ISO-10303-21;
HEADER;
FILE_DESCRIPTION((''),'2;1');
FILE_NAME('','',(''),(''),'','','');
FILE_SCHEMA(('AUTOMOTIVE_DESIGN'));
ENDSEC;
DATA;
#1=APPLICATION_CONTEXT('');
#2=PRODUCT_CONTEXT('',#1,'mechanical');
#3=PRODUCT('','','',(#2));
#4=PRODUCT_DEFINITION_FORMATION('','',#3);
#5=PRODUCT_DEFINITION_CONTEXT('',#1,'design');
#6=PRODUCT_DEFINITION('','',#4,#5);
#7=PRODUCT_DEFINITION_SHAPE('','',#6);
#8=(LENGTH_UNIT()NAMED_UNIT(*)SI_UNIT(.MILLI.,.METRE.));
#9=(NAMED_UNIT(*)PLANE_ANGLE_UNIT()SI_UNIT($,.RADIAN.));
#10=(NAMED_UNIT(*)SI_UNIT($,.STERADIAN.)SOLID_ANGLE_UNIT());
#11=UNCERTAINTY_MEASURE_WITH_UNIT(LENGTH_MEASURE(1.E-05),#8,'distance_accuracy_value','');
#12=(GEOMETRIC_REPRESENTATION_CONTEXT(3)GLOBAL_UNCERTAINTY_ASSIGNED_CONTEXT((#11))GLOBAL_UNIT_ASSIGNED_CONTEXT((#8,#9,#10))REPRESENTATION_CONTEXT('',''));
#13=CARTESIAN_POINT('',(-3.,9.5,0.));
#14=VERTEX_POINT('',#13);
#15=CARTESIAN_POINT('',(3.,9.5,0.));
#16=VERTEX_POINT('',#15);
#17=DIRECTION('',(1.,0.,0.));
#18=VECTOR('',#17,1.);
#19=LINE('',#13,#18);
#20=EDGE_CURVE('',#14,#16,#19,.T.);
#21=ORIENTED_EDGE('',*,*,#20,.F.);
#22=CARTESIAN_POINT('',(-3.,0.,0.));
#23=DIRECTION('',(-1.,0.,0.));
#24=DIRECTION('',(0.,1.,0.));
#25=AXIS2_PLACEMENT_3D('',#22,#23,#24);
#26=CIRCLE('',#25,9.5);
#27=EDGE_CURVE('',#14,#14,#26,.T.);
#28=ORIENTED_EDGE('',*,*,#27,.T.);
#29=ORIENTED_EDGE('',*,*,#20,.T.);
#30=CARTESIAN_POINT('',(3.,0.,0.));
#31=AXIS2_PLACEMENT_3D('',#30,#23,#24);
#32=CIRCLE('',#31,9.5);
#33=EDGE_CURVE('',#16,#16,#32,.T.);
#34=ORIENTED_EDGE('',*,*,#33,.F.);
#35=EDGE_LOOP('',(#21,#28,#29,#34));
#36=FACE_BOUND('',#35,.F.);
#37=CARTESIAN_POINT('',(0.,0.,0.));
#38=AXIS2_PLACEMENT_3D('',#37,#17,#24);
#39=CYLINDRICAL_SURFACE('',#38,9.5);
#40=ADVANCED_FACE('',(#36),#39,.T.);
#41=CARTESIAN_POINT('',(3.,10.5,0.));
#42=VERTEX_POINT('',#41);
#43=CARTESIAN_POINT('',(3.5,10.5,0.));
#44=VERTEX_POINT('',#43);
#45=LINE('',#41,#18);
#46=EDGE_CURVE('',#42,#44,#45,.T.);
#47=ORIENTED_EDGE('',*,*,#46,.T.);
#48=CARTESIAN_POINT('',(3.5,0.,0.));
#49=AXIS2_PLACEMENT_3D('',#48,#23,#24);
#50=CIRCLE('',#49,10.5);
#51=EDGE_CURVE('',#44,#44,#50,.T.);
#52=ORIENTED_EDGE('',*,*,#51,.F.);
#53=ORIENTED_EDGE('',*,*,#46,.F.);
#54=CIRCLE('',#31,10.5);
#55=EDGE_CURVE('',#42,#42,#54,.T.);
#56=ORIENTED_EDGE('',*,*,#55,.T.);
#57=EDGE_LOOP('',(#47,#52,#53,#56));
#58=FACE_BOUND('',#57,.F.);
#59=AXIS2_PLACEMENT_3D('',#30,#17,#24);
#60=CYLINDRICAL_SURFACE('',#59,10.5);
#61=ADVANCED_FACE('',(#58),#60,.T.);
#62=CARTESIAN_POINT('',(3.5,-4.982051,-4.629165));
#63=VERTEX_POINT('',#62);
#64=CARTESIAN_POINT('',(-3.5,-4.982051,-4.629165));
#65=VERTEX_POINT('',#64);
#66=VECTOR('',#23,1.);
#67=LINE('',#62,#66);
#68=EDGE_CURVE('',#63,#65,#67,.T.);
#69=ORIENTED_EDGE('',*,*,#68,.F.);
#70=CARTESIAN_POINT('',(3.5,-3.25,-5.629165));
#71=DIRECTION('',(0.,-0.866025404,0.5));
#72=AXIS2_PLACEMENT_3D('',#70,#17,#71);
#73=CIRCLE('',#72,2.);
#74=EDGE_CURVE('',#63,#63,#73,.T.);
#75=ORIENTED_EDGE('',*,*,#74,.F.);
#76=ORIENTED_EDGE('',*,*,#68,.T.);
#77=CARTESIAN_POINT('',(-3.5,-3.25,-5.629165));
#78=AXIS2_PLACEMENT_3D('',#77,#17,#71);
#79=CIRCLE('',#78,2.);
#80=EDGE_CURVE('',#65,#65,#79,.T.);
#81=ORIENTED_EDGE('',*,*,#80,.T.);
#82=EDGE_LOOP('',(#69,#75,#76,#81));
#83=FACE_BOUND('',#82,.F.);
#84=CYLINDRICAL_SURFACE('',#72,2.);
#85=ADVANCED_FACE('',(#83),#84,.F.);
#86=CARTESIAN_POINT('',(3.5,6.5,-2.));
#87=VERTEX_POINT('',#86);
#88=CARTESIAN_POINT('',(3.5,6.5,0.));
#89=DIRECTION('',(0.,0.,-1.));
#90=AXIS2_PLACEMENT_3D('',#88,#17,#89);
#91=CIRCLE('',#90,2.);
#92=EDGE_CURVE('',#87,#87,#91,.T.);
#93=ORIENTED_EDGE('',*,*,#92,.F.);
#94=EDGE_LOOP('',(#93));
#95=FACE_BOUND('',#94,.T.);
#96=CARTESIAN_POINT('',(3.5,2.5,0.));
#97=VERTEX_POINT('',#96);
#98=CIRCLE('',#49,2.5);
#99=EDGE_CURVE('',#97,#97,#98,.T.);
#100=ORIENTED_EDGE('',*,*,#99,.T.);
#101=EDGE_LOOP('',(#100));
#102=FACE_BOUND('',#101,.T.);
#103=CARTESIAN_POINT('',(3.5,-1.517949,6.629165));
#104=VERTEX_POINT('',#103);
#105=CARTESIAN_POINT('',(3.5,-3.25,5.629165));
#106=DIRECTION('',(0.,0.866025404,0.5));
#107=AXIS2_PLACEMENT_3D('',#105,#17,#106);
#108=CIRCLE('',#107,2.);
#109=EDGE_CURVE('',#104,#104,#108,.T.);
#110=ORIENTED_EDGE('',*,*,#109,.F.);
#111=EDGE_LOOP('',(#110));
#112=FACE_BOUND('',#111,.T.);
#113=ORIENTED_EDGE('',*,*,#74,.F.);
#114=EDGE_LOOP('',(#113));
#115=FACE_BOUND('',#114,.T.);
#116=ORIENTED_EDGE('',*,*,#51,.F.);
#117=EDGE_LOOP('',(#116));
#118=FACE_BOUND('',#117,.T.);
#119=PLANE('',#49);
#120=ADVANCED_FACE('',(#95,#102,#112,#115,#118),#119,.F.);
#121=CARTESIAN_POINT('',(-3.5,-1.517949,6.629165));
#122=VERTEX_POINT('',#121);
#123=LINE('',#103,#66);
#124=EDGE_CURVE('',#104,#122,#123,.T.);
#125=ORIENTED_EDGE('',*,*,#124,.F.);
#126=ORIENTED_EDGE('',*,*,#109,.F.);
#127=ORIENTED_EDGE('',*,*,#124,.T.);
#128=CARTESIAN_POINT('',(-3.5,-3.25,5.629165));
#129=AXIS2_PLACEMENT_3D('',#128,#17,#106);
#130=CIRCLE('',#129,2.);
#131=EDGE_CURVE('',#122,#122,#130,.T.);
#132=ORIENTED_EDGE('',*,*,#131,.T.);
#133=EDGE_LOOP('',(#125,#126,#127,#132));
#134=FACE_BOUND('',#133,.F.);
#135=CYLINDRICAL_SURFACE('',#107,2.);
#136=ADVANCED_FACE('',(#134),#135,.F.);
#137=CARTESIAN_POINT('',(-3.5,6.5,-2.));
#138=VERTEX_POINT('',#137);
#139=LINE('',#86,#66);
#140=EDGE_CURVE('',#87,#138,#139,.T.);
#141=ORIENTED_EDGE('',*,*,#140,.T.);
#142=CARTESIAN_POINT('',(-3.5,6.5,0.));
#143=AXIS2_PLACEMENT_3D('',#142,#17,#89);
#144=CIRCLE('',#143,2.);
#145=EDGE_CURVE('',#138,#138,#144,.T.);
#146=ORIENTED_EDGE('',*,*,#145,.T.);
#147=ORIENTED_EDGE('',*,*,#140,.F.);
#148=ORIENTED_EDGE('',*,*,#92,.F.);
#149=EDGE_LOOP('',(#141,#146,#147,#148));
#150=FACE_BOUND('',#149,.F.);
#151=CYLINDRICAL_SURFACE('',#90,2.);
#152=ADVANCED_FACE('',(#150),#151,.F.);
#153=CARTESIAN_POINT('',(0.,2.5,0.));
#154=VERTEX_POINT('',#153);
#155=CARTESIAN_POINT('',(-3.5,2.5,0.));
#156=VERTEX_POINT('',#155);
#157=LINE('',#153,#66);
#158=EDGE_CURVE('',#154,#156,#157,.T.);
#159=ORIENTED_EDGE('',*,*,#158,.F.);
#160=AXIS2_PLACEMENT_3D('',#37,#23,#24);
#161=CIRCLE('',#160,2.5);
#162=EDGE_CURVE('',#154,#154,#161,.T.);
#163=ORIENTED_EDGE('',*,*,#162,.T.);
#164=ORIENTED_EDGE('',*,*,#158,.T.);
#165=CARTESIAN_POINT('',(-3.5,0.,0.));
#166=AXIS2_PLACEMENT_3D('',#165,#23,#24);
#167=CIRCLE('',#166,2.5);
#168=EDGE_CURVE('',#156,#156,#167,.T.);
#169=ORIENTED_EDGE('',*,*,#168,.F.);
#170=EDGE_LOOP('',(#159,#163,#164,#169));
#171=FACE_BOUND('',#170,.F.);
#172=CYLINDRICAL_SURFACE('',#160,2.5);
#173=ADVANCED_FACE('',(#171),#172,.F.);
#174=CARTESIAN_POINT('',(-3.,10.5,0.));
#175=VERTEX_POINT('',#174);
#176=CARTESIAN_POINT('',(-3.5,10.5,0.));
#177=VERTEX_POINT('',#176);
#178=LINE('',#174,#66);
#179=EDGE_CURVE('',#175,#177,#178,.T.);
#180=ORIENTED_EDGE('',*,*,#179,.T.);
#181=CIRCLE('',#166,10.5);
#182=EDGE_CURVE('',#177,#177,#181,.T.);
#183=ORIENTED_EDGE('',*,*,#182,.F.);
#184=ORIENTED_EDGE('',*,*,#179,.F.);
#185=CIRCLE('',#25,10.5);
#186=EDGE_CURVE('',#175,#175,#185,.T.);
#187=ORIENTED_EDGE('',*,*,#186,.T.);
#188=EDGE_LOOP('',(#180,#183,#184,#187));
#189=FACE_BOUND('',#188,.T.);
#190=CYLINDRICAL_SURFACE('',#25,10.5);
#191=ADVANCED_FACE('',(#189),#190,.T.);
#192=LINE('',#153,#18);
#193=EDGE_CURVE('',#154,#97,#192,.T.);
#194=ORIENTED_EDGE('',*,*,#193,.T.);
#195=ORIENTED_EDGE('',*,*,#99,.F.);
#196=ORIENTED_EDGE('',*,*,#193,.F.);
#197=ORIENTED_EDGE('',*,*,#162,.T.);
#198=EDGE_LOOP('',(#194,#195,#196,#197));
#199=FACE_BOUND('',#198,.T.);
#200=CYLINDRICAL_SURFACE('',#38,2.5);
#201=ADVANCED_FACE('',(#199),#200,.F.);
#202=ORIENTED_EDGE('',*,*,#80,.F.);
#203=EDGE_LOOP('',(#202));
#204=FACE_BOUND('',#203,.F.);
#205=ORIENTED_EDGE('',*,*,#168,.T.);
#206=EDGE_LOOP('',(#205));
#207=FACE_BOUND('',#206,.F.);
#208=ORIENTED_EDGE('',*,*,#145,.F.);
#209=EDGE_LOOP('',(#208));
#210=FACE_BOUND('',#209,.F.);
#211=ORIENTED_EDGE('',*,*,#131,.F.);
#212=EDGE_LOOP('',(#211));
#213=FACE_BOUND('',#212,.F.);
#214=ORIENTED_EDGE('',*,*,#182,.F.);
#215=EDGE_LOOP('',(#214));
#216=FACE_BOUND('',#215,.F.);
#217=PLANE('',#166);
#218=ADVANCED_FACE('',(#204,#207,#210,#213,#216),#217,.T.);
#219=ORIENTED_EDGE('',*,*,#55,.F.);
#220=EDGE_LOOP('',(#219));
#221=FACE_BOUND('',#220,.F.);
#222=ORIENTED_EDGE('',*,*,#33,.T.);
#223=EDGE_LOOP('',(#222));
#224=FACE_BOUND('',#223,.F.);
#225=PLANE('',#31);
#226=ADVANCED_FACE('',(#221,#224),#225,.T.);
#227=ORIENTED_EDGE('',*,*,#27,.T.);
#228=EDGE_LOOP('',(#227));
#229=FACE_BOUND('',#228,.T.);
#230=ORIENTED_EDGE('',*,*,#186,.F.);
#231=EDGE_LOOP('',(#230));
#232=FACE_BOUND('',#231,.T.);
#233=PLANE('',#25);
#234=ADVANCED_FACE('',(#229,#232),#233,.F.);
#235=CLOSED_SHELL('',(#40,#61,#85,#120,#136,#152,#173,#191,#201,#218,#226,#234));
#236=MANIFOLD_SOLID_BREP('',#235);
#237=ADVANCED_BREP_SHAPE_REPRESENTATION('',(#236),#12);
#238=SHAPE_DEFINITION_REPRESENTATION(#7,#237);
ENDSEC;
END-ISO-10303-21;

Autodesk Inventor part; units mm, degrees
ref_plane "YZ Plane" through (0, 0, 0) normal (1, 0, 0) x (0, 1, 0)
ref_plane "XZ Plane" through (0, 0, 0) normal (0, 1, 0) x (-1, 0, 0)
ref_plane "XY Plane" through (0, 0, 0) normal (0, 0, 1) x (1, 0, 0)
sketch "Sketch1" plane through (0, 0, 0) normal (0, 0, 1) x (1, 0, 0)
  line L0 (0, 0) -> (0, 9.5) construction
  line L1 (0, 9.5) -> (3, 9.5)
  line L2 (3, 9.5) -> (3, 10.5)
  line L3 (3, 10.5) -> (3.5, 10.5)
  line L4 (3.5, 10.5) -> (3.5, 0) construction
  line L5 (3.5, 0) -> (0, 0) construction
  line L6 (0, 2.5) -> (3.5, 2.5)
  line L7 (3.5, 2.5) -> (3.5, 10.5)
  line L8 (0, 9.5) -> (-3, 9.5)
  line L9 (-3, 9.5) -> (-3, 10.5)
  line L10 (-3, 10.5) -> (-3.5, 10.5)
  line L11 (-3.5, 10.5) -> (-3.5, 0) construction
  line L12 (0, 2.5) -> (-3.5, 2.5)
  line L13 (-3.5, 2.5) -> (-3.5, 10.5)
  dimension "d0" = 2.5
  dimension "d1" = 3
  dimension "d2" = 0.5
  dimension "d8" = 1
  dimension "d10" = 10.5
revolve "Revolution2" add sketch "Sketch1" angle 360 about axis through (3.5, 0, 0) along (-1, 0, 0)
sketch "Sketch2" plane through (3.5, 0, 0) normal (1, 0, 0) x (0, 0, -1)
  circle A0 centre (0, 0) radius 2.5 projected
  circle A1 centre (0, 6.5) radius 2
  dimension "d11" = 6.5
  dimension "d12" = 4
extrude "Extrusion1" cut sketch "Sketch2" against normal through all contours A1
pattern_circular "Circular Pattern1" count 3 over 360 about axis through (1.5, 0, 0) along (1, 0, 0) of "Extrusion1"
properties part number "FoilCoil"
